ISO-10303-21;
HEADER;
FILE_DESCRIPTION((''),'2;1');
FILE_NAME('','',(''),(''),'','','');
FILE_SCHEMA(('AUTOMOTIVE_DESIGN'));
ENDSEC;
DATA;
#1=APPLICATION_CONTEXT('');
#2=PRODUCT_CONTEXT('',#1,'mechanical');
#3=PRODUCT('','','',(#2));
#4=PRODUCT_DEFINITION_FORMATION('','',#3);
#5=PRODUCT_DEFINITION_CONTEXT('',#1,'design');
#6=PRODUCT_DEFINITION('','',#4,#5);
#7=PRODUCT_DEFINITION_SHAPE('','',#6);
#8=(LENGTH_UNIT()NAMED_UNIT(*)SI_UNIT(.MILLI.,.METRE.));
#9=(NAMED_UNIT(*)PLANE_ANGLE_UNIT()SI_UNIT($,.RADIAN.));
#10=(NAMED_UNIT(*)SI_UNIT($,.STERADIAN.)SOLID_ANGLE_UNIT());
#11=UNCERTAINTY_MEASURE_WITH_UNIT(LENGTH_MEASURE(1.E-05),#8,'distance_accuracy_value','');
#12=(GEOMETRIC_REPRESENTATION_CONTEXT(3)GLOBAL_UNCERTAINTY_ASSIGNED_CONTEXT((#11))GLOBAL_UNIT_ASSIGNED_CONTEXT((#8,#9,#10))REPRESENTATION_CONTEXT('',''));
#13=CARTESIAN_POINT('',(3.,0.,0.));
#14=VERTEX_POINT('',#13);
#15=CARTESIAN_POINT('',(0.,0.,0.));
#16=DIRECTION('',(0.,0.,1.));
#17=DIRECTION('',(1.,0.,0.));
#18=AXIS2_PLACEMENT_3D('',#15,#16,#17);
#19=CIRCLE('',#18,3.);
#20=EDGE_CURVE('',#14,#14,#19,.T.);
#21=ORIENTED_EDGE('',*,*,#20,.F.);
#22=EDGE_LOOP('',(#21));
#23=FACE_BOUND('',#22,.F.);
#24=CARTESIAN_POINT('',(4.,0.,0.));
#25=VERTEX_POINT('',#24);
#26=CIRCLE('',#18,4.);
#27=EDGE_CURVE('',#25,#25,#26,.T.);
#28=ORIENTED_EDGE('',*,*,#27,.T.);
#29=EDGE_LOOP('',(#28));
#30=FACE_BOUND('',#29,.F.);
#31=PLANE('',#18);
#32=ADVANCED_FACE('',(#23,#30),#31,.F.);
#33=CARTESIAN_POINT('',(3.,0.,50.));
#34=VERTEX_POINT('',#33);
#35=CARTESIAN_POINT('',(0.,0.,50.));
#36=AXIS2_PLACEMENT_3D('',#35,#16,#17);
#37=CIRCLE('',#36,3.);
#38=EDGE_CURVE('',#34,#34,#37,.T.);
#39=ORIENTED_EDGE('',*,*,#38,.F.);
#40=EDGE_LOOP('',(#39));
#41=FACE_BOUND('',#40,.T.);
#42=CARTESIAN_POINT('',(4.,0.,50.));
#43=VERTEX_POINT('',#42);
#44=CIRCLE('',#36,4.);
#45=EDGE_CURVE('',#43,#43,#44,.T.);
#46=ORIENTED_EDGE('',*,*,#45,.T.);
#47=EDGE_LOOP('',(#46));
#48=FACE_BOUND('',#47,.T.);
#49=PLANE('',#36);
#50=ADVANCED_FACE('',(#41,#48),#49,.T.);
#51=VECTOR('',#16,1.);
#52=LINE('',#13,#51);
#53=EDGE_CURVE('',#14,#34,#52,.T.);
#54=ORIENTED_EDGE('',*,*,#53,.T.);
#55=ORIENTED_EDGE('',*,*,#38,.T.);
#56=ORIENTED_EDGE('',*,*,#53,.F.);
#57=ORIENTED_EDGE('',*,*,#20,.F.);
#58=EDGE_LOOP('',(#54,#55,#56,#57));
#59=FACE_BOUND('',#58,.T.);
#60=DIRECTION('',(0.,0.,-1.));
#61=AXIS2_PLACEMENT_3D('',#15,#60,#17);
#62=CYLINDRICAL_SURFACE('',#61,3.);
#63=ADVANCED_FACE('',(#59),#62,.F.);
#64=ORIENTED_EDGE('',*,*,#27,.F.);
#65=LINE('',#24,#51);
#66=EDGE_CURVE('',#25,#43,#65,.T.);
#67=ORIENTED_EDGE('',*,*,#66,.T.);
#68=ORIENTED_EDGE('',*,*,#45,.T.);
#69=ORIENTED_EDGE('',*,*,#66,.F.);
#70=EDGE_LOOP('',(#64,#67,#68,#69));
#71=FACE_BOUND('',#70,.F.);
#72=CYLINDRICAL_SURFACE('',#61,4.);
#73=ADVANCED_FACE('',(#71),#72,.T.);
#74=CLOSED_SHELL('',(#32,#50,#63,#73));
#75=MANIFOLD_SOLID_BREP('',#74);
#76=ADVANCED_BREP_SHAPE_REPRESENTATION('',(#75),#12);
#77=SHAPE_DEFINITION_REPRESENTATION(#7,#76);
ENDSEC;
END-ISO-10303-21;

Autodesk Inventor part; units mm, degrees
ref_plane "YZ Plane" through (0, 0, 0) normal (1, 0, 0) x (0, 1, 0)
ref_plane "XZ Plane" through (0, 0, 0) normal (0, 1, 0) x (-1, 0, 0)
ref_plane "XY Plane" through (0, 0, 0) normal (0, 0, 1) x (1, 0, 0)
sketch "Skizze1" plane through (0, 0, 0) normal (0, 0, 1) x (1, 0, 0)
  circle A0 centre (0, 0) radius 4
  circle A1 centre (0, 0) radius 3
  dimension "d0" = 8
  dimension "d1" = 6
extrude "Extrusion1" add sketch "Skizze1" along normal blind 50
properties part number "rotRohr" material "Edelstahl"
